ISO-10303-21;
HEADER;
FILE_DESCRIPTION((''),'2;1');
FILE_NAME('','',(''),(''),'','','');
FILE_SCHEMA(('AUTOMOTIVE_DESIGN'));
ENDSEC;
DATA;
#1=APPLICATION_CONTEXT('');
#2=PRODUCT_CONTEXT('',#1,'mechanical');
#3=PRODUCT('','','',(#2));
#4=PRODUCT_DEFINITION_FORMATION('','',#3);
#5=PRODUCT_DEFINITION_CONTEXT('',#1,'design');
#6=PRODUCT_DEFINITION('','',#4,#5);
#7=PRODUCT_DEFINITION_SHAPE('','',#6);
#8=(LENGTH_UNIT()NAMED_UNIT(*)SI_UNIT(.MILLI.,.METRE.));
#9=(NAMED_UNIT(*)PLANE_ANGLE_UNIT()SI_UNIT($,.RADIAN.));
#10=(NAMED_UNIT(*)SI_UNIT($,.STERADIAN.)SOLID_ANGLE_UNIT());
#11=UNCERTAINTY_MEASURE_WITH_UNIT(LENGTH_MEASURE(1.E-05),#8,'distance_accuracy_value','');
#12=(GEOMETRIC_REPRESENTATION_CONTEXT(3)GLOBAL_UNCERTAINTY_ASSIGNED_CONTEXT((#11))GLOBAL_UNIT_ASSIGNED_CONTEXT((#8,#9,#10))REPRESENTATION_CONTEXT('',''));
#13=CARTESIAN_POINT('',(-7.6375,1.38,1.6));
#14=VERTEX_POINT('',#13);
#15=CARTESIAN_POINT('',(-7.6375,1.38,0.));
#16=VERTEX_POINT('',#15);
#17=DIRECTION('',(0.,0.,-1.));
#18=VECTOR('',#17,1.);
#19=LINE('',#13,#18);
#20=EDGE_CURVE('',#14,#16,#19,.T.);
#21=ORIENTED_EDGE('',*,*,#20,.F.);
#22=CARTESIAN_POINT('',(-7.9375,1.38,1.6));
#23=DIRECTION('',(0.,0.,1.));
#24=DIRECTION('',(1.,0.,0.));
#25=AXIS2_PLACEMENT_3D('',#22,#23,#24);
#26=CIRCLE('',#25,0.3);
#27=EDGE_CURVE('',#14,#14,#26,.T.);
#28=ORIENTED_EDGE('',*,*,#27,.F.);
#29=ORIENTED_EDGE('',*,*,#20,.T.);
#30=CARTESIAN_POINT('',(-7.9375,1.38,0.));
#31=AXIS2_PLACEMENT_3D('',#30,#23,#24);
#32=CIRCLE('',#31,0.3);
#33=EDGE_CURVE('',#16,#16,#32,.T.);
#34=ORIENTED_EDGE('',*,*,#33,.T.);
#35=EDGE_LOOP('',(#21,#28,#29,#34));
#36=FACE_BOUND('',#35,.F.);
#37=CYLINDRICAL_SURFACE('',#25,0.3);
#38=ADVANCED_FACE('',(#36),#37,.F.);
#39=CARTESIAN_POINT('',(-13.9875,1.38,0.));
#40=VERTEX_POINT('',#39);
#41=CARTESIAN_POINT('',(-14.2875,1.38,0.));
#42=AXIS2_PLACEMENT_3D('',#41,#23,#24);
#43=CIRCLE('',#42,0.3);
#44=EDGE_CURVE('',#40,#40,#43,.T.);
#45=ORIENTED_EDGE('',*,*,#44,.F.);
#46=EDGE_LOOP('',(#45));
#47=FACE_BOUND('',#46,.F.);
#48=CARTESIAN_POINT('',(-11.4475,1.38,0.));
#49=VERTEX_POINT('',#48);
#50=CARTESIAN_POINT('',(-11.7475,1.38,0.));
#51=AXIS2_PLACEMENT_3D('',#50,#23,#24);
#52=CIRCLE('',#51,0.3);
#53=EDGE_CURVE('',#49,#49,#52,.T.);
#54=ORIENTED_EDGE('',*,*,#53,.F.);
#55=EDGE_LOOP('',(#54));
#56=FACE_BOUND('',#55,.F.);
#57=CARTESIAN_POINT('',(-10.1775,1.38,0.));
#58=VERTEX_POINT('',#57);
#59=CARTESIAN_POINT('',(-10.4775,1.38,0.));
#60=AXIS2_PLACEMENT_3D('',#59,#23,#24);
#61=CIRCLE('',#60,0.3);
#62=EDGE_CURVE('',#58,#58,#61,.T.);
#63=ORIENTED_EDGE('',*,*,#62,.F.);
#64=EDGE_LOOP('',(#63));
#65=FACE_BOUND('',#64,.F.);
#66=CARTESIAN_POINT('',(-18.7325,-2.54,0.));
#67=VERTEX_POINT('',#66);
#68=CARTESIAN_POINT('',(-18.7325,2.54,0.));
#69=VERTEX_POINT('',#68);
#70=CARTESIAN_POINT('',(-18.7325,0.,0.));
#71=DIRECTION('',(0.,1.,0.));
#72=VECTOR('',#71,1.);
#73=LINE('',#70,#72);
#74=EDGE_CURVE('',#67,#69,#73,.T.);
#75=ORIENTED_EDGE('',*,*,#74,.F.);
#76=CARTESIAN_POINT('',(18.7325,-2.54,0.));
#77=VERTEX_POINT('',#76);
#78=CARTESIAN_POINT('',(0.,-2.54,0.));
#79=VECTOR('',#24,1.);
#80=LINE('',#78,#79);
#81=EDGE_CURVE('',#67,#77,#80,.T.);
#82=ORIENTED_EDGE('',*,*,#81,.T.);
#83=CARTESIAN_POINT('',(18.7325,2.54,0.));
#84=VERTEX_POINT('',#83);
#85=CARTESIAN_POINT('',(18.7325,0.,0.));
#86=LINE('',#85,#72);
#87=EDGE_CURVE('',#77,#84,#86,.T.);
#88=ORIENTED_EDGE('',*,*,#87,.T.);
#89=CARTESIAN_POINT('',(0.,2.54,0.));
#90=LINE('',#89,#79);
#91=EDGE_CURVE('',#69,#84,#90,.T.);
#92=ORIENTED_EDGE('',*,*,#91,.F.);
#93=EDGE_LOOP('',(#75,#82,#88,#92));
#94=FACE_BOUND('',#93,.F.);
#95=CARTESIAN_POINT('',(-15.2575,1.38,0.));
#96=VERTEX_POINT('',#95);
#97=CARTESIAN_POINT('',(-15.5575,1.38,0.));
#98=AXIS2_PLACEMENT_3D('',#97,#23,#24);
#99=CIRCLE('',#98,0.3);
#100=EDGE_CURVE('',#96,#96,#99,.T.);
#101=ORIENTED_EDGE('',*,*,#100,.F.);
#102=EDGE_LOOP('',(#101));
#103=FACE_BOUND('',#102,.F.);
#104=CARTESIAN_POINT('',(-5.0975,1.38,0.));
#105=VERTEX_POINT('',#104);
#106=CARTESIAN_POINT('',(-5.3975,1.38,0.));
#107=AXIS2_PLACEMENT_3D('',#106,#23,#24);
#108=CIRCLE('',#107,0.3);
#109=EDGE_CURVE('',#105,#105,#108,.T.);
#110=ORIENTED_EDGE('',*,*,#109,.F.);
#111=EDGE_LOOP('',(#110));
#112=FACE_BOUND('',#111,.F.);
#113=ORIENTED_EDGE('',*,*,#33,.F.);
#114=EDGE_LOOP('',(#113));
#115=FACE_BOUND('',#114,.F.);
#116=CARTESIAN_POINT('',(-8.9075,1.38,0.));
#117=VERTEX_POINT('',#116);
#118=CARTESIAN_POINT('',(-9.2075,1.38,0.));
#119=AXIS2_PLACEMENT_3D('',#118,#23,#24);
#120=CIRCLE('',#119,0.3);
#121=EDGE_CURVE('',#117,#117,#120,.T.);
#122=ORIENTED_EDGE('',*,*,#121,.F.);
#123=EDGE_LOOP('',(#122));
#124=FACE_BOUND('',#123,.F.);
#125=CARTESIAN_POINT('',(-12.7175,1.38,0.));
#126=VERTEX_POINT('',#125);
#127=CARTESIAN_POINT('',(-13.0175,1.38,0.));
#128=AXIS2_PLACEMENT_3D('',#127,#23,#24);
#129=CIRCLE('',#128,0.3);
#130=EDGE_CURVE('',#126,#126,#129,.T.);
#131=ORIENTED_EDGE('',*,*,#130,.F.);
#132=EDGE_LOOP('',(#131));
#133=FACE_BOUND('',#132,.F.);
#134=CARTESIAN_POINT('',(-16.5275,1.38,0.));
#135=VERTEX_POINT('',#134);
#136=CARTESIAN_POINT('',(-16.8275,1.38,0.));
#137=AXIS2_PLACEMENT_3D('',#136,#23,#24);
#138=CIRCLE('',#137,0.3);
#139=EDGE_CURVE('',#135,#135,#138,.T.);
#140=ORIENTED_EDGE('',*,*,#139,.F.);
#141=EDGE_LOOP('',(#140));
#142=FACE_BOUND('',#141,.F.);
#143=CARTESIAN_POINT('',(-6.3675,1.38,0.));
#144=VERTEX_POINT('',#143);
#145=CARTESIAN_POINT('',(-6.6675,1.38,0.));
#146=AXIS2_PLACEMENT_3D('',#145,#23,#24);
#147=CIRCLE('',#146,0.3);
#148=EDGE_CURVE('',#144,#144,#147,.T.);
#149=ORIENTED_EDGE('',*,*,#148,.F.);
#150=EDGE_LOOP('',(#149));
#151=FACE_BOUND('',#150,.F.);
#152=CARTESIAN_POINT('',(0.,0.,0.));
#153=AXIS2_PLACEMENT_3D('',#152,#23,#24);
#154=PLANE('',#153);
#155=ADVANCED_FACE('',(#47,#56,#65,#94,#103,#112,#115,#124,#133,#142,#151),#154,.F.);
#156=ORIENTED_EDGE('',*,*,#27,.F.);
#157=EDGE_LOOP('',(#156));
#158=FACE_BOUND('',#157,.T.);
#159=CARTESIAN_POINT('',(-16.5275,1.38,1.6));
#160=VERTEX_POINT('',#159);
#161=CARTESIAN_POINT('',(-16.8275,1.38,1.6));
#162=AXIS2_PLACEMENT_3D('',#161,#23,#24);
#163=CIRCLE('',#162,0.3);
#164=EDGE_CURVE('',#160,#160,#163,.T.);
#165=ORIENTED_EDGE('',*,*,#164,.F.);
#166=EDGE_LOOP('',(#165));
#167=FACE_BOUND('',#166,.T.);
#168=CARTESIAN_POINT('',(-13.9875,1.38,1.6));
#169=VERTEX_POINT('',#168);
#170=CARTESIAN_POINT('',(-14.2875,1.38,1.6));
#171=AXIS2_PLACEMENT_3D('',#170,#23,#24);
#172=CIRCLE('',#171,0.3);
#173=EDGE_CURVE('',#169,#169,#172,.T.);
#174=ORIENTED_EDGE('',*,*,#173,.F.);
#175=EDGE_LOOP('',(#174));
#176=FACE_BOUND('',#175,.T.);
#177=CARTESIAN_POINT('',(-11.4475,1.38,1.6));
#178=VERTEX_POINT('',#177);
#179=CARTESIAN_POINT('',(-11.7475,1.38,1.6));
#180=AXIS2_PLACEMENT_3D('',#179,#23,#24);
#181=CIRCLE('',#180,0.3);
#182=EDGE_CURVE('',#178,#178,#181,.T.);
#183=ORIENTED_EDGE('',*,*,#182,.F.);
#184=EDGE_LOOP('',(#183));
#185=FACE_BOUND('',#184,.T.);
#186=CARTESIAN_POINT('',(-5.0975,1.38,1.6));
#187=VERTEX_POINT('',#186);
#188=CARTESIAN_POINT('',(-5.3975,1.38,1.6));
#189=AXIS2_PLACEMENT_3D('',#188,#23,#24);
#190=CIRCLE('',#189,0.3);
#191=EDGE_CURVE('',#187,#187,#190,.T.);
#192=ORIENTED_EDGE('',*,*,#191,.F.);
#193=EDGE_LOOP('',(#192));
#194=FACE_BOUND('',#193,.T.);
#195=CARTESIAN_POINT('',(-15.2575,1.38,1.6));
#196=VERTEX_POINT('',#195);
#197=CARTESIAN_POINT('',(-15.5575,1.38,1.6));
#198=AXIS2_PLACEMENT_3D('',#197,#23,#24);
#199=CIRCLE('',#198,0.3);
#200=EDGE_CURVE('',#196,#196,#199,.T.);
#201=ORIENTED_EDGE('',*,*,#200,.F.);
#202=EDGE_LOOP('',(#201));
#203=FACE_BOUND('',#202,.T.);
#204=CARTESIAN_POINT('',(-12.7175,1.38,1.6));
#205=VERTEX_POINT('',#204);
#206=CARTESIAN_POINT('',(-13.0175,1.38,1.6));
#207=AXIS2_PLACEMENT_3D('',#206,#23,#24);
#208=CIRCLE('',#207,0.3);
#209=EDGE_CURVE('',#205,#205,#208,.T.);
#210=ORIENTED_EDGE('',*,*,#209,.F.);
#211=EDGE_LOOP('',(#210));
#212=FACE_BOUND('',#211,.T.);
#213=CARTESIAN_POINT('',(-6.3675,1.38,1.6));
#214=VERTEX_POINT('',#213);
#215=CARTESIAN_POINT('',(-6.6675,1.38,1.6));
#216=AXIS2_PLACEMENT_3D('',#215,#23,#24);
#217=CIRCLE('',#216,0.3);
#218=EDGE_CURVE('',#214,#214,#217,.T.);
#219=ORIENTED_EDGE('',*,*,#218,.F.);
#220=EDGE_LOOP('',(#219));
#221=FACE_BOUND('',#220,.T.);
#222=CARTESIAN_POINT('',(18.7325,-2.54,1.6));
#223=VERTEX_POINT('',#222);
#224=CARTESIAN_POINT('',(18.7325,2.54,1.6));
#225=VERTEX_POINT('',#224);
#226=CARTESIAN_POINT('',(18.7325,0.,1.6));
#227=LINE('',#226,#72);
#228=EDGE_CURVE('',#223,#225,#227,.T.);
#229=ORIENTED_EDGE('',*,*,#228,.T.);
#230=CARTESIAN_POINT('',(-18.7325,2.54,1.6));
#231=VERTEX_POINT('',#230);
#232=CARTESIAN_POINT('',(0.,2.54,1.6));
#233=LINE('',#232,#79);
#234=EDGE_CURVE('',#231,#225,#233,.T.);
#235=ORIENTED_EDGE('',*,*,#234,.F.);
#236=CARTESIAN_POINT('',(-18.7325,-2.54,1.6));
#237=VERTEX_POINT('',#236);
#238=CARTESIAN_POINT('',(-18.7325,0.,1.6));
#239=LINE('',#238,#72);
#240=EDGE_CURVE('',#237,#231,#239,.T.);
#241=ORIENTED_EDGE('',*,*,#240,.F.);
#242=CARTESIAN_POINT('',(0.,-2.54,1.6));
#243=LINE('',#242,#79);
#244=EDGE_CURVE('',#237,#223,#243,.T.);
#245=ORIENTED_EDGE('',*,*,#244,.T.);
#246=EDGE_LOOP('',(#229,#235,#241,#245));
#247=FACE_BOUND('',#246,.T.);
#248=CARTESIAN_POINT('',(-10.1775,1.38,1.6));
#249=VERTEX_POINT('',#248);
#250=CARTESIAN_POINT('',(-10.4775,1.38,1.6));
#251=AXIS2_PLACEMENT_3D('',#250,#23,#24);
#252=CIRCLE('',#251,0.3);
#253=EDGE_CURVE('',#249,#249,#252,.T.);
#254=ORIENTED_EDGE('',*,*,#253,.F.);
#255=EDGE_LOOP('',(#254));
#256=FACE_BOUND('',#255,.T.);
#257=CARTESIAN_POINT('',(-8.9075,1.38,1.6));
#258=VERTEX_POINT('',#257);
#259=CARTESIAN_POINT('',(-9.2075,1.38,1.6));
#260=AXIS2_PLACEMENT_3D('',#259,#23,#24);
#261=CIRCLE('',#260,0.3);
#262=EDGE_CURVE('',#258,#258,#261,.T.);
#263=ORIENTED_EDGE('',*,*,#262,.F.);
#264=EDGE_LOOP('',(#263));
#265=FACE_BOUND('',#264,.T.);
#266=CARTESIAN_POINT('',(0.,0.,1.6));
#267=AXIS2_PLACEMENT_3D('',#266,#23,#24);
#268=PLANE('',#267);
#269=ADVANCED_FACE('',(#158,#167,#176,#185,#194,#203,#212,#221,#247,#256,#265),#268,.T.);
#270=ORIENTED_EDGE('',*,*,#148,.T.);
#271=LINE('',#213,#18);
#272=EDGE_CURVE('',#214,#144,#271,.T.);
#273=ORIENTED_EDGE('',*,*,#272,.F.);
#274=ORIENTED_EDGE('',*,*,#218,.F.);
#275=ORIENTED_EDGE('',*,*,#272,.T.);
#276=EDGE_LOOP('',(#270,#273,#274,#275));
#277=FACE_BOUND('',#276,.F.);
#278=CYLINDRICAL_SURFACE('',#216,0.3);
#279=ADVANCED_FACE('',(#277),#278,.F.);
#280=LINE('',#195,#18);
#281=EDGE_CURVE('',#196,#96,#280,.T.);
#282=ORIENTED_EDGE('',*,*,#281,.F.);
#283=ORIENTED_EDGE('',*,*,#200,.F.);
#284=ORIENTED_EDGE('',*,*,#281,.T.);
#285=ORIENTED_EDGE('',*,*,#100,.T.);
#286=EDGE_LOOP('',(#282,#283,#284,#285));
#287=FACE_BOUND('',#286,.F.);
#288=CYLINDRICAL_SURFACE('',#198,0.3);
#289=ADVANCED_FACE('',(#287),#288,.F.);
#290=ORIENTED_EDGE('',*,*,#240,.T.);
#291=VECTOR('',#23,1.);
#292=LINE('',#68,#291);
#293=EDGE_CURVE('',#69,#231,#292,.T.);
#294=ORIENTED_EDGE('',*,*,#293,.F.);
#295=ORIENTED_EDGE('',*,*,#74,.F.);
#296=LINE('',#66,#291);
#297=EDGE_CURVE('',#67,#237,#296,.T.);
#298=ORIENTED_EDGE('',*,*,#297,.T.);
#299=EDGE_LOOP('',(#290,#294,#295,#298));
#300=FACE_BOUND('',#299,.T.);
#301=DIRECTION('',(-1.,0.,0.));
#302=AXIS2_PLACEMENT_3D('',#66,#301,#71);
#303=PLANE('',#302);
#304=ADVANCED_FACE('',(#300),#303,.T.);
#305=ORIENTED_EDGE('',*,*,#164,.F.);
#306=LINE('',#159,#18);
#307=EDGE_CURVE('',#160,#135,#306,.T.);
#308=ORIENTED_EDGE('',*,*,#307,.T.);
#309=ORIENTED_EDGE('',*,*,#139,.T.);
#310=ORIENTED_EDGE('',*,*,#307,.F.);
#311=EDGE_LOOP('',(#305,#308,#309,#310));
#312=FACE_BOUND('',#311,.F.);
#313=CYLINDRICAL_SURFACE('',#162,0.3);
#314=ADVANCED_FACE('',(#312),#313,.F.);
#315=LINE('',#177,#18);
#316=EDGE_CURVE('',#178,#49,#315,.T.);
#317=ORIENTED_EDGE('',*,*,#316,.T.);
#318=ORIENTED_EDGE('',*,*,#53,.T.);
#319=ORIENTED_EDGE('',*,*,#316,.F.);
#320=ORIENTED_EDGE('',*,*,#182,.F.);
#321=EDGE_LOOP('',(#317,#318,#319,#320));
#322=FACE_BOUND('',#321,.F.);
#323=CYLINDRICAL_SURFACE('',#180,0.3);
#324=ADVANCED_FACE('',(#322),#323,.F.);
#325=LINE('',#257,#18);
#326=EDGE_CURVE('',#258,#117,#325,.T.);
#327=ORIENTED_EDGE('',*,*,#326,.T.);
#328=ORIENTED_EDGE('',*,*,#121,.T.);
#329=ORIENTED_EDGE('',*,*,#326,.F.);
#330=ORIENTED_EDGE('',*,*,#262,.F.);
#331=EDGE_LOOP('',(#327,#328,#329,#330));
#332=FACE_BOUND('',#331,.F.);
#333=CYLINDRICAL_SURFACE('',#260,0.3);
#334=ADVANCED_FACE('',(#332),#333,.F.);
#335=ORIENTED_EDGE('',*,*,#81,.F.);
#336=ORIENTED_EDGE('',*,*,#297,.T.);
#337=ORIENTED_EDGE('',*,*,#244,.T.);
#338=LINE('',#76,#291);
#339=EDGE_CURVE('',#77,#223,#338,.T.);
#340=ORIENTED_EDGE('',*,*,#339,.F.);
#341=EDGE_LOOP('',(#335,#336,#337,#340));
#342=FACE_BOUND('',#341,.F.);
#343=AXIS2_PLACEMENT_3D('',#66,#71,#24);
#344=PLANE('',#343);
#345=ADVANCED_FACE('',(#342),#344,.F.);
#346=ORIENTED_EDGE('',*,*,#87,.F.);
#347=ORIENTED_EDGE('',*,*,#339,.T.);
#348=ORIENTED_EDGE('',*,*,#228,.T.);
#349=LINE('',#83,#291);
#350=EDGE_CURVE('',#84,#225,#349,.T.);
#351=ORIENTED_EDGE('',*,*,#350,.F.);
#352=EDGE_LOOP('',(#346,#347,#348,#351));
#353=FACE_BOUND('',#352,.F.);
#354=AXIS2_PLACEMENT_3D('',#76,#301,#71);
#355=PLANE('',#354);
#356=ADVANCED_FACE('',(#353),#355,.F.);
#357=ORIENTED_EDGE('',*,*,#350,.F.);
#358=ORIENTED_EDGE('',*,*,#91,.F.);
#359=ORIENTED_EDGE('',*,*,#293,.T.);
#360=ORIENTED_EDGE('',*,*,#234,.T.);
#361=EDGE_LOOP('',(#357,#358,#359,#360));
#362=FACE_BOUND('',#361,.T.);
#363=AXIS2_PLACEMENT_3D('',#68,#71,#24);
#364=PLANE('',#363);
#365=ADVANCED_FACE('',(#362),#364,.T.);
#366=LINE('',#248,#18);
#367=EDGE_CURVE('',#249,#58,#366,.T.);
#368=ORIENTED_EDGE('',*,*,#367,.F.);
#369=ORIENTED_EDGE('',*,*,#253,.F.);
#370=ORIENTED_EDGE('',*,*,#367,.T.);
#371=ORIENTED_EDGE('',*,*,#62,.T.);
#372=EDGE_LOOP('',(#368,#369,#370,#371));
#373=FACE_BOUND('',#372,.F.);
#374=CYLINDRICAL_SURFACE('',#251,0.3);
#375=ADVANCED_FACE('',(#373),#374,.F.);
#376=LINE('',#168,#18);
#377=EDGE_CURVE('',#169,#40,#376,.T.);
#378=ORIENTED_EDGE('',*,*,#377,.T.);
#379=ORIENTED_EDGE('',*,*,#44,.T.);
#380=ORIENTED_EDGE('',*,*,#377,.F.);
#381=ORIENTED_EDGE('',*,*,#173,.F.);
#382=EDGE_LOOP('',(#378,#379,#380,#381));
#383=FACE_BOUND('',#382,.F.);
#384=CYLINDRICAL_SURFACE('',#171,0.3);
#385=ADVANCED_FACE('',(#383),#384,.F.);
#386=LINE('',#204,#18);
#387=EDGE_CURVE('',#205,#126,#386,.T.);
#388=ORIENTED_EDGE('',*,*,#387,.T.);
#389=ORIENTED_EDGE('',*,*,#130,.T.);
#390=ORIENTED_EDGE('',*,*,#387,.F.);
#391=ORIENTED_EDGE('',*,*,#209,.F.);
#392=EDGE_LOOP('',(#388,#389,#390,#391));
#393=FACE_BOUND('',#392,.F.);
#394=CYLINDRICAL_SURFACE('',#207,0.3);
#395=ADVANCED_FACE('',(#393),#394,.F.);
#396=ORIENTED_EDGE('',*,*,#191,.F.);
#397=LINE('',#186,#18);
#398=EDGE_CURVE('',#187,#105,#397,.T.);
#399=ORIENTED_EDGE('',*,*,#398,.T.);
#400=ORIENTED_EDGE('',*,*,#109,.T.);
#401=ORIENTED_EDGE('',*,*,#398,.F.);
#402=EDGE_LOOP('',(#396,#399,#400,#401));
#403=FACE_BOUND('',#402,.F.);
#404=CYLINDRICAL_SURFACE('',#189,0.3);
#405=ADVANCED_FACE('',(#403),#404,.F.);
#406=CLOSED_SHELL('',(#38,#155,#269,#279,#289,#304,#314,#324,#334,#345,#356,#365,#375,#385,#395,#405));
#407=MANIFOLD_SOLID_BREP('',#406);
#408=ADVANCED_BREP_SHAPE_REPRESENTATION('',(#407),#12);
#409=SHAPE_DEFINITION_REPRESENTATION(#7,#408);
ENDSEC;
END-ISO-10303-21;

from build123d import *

# Parameters (mm, degrees)
SKETCH1_W           = 37.465
SKETCH1_H           = 5.08
BOSS_EXTRUDE1_DEPTH = 1.6
SKETCH2_R           = 0.3
CUT_EXTRUDE1_DEPTH  = 2.54


with BuildPart() as part:
    # Sketch1 → Boss-Extrude1 (new body)
    with BuildSketch(Plane.XY):
        Rectangle(SKETCH1_W, SKETCH1_H)
    extrude(amount=BOSS_EXTRUDE1_DEPTH)

    # Sketch2 → Cut-Extrude1 (cut)
    with BuildSketch(Plane.XY.offset(1.6)):
        with Locations((-5.3975, 1.38)):
            Circle(SKETCH2_R)
        with Locations((-6.6675, 1.38)):
            Circle(SKETCH2_R)
        with Locations((-7.9375, 1.38)):
            Circle(SKETCH2_R)
        with Locations((-9.2075, 1.38)):
            Circle(SKETCH2_R)
        with Locations((-10.4775, 1.38)):
            Circle(SKETCH2_R)
        with Locations((-11.7475, 1.38)):
            Circle(SKETCH2_R)
        with Locations((-13.0175, 1.38)):
            Circle(SKETCH2_R)
        with Locations((-14.2875, 1.38)):
            Circle(SKETCH2_R)
        with Locations((-15.5575, 1.38)):
            Circle(SKETCH2_R)
        with Locations((-16.8275, 1.38)):
            Circle(SKETCH2_R)
    extrude(amount=-CUT_EXTRUDE1_DEPTH, mode=Mode.SUBTRACT)


solid = part.part
